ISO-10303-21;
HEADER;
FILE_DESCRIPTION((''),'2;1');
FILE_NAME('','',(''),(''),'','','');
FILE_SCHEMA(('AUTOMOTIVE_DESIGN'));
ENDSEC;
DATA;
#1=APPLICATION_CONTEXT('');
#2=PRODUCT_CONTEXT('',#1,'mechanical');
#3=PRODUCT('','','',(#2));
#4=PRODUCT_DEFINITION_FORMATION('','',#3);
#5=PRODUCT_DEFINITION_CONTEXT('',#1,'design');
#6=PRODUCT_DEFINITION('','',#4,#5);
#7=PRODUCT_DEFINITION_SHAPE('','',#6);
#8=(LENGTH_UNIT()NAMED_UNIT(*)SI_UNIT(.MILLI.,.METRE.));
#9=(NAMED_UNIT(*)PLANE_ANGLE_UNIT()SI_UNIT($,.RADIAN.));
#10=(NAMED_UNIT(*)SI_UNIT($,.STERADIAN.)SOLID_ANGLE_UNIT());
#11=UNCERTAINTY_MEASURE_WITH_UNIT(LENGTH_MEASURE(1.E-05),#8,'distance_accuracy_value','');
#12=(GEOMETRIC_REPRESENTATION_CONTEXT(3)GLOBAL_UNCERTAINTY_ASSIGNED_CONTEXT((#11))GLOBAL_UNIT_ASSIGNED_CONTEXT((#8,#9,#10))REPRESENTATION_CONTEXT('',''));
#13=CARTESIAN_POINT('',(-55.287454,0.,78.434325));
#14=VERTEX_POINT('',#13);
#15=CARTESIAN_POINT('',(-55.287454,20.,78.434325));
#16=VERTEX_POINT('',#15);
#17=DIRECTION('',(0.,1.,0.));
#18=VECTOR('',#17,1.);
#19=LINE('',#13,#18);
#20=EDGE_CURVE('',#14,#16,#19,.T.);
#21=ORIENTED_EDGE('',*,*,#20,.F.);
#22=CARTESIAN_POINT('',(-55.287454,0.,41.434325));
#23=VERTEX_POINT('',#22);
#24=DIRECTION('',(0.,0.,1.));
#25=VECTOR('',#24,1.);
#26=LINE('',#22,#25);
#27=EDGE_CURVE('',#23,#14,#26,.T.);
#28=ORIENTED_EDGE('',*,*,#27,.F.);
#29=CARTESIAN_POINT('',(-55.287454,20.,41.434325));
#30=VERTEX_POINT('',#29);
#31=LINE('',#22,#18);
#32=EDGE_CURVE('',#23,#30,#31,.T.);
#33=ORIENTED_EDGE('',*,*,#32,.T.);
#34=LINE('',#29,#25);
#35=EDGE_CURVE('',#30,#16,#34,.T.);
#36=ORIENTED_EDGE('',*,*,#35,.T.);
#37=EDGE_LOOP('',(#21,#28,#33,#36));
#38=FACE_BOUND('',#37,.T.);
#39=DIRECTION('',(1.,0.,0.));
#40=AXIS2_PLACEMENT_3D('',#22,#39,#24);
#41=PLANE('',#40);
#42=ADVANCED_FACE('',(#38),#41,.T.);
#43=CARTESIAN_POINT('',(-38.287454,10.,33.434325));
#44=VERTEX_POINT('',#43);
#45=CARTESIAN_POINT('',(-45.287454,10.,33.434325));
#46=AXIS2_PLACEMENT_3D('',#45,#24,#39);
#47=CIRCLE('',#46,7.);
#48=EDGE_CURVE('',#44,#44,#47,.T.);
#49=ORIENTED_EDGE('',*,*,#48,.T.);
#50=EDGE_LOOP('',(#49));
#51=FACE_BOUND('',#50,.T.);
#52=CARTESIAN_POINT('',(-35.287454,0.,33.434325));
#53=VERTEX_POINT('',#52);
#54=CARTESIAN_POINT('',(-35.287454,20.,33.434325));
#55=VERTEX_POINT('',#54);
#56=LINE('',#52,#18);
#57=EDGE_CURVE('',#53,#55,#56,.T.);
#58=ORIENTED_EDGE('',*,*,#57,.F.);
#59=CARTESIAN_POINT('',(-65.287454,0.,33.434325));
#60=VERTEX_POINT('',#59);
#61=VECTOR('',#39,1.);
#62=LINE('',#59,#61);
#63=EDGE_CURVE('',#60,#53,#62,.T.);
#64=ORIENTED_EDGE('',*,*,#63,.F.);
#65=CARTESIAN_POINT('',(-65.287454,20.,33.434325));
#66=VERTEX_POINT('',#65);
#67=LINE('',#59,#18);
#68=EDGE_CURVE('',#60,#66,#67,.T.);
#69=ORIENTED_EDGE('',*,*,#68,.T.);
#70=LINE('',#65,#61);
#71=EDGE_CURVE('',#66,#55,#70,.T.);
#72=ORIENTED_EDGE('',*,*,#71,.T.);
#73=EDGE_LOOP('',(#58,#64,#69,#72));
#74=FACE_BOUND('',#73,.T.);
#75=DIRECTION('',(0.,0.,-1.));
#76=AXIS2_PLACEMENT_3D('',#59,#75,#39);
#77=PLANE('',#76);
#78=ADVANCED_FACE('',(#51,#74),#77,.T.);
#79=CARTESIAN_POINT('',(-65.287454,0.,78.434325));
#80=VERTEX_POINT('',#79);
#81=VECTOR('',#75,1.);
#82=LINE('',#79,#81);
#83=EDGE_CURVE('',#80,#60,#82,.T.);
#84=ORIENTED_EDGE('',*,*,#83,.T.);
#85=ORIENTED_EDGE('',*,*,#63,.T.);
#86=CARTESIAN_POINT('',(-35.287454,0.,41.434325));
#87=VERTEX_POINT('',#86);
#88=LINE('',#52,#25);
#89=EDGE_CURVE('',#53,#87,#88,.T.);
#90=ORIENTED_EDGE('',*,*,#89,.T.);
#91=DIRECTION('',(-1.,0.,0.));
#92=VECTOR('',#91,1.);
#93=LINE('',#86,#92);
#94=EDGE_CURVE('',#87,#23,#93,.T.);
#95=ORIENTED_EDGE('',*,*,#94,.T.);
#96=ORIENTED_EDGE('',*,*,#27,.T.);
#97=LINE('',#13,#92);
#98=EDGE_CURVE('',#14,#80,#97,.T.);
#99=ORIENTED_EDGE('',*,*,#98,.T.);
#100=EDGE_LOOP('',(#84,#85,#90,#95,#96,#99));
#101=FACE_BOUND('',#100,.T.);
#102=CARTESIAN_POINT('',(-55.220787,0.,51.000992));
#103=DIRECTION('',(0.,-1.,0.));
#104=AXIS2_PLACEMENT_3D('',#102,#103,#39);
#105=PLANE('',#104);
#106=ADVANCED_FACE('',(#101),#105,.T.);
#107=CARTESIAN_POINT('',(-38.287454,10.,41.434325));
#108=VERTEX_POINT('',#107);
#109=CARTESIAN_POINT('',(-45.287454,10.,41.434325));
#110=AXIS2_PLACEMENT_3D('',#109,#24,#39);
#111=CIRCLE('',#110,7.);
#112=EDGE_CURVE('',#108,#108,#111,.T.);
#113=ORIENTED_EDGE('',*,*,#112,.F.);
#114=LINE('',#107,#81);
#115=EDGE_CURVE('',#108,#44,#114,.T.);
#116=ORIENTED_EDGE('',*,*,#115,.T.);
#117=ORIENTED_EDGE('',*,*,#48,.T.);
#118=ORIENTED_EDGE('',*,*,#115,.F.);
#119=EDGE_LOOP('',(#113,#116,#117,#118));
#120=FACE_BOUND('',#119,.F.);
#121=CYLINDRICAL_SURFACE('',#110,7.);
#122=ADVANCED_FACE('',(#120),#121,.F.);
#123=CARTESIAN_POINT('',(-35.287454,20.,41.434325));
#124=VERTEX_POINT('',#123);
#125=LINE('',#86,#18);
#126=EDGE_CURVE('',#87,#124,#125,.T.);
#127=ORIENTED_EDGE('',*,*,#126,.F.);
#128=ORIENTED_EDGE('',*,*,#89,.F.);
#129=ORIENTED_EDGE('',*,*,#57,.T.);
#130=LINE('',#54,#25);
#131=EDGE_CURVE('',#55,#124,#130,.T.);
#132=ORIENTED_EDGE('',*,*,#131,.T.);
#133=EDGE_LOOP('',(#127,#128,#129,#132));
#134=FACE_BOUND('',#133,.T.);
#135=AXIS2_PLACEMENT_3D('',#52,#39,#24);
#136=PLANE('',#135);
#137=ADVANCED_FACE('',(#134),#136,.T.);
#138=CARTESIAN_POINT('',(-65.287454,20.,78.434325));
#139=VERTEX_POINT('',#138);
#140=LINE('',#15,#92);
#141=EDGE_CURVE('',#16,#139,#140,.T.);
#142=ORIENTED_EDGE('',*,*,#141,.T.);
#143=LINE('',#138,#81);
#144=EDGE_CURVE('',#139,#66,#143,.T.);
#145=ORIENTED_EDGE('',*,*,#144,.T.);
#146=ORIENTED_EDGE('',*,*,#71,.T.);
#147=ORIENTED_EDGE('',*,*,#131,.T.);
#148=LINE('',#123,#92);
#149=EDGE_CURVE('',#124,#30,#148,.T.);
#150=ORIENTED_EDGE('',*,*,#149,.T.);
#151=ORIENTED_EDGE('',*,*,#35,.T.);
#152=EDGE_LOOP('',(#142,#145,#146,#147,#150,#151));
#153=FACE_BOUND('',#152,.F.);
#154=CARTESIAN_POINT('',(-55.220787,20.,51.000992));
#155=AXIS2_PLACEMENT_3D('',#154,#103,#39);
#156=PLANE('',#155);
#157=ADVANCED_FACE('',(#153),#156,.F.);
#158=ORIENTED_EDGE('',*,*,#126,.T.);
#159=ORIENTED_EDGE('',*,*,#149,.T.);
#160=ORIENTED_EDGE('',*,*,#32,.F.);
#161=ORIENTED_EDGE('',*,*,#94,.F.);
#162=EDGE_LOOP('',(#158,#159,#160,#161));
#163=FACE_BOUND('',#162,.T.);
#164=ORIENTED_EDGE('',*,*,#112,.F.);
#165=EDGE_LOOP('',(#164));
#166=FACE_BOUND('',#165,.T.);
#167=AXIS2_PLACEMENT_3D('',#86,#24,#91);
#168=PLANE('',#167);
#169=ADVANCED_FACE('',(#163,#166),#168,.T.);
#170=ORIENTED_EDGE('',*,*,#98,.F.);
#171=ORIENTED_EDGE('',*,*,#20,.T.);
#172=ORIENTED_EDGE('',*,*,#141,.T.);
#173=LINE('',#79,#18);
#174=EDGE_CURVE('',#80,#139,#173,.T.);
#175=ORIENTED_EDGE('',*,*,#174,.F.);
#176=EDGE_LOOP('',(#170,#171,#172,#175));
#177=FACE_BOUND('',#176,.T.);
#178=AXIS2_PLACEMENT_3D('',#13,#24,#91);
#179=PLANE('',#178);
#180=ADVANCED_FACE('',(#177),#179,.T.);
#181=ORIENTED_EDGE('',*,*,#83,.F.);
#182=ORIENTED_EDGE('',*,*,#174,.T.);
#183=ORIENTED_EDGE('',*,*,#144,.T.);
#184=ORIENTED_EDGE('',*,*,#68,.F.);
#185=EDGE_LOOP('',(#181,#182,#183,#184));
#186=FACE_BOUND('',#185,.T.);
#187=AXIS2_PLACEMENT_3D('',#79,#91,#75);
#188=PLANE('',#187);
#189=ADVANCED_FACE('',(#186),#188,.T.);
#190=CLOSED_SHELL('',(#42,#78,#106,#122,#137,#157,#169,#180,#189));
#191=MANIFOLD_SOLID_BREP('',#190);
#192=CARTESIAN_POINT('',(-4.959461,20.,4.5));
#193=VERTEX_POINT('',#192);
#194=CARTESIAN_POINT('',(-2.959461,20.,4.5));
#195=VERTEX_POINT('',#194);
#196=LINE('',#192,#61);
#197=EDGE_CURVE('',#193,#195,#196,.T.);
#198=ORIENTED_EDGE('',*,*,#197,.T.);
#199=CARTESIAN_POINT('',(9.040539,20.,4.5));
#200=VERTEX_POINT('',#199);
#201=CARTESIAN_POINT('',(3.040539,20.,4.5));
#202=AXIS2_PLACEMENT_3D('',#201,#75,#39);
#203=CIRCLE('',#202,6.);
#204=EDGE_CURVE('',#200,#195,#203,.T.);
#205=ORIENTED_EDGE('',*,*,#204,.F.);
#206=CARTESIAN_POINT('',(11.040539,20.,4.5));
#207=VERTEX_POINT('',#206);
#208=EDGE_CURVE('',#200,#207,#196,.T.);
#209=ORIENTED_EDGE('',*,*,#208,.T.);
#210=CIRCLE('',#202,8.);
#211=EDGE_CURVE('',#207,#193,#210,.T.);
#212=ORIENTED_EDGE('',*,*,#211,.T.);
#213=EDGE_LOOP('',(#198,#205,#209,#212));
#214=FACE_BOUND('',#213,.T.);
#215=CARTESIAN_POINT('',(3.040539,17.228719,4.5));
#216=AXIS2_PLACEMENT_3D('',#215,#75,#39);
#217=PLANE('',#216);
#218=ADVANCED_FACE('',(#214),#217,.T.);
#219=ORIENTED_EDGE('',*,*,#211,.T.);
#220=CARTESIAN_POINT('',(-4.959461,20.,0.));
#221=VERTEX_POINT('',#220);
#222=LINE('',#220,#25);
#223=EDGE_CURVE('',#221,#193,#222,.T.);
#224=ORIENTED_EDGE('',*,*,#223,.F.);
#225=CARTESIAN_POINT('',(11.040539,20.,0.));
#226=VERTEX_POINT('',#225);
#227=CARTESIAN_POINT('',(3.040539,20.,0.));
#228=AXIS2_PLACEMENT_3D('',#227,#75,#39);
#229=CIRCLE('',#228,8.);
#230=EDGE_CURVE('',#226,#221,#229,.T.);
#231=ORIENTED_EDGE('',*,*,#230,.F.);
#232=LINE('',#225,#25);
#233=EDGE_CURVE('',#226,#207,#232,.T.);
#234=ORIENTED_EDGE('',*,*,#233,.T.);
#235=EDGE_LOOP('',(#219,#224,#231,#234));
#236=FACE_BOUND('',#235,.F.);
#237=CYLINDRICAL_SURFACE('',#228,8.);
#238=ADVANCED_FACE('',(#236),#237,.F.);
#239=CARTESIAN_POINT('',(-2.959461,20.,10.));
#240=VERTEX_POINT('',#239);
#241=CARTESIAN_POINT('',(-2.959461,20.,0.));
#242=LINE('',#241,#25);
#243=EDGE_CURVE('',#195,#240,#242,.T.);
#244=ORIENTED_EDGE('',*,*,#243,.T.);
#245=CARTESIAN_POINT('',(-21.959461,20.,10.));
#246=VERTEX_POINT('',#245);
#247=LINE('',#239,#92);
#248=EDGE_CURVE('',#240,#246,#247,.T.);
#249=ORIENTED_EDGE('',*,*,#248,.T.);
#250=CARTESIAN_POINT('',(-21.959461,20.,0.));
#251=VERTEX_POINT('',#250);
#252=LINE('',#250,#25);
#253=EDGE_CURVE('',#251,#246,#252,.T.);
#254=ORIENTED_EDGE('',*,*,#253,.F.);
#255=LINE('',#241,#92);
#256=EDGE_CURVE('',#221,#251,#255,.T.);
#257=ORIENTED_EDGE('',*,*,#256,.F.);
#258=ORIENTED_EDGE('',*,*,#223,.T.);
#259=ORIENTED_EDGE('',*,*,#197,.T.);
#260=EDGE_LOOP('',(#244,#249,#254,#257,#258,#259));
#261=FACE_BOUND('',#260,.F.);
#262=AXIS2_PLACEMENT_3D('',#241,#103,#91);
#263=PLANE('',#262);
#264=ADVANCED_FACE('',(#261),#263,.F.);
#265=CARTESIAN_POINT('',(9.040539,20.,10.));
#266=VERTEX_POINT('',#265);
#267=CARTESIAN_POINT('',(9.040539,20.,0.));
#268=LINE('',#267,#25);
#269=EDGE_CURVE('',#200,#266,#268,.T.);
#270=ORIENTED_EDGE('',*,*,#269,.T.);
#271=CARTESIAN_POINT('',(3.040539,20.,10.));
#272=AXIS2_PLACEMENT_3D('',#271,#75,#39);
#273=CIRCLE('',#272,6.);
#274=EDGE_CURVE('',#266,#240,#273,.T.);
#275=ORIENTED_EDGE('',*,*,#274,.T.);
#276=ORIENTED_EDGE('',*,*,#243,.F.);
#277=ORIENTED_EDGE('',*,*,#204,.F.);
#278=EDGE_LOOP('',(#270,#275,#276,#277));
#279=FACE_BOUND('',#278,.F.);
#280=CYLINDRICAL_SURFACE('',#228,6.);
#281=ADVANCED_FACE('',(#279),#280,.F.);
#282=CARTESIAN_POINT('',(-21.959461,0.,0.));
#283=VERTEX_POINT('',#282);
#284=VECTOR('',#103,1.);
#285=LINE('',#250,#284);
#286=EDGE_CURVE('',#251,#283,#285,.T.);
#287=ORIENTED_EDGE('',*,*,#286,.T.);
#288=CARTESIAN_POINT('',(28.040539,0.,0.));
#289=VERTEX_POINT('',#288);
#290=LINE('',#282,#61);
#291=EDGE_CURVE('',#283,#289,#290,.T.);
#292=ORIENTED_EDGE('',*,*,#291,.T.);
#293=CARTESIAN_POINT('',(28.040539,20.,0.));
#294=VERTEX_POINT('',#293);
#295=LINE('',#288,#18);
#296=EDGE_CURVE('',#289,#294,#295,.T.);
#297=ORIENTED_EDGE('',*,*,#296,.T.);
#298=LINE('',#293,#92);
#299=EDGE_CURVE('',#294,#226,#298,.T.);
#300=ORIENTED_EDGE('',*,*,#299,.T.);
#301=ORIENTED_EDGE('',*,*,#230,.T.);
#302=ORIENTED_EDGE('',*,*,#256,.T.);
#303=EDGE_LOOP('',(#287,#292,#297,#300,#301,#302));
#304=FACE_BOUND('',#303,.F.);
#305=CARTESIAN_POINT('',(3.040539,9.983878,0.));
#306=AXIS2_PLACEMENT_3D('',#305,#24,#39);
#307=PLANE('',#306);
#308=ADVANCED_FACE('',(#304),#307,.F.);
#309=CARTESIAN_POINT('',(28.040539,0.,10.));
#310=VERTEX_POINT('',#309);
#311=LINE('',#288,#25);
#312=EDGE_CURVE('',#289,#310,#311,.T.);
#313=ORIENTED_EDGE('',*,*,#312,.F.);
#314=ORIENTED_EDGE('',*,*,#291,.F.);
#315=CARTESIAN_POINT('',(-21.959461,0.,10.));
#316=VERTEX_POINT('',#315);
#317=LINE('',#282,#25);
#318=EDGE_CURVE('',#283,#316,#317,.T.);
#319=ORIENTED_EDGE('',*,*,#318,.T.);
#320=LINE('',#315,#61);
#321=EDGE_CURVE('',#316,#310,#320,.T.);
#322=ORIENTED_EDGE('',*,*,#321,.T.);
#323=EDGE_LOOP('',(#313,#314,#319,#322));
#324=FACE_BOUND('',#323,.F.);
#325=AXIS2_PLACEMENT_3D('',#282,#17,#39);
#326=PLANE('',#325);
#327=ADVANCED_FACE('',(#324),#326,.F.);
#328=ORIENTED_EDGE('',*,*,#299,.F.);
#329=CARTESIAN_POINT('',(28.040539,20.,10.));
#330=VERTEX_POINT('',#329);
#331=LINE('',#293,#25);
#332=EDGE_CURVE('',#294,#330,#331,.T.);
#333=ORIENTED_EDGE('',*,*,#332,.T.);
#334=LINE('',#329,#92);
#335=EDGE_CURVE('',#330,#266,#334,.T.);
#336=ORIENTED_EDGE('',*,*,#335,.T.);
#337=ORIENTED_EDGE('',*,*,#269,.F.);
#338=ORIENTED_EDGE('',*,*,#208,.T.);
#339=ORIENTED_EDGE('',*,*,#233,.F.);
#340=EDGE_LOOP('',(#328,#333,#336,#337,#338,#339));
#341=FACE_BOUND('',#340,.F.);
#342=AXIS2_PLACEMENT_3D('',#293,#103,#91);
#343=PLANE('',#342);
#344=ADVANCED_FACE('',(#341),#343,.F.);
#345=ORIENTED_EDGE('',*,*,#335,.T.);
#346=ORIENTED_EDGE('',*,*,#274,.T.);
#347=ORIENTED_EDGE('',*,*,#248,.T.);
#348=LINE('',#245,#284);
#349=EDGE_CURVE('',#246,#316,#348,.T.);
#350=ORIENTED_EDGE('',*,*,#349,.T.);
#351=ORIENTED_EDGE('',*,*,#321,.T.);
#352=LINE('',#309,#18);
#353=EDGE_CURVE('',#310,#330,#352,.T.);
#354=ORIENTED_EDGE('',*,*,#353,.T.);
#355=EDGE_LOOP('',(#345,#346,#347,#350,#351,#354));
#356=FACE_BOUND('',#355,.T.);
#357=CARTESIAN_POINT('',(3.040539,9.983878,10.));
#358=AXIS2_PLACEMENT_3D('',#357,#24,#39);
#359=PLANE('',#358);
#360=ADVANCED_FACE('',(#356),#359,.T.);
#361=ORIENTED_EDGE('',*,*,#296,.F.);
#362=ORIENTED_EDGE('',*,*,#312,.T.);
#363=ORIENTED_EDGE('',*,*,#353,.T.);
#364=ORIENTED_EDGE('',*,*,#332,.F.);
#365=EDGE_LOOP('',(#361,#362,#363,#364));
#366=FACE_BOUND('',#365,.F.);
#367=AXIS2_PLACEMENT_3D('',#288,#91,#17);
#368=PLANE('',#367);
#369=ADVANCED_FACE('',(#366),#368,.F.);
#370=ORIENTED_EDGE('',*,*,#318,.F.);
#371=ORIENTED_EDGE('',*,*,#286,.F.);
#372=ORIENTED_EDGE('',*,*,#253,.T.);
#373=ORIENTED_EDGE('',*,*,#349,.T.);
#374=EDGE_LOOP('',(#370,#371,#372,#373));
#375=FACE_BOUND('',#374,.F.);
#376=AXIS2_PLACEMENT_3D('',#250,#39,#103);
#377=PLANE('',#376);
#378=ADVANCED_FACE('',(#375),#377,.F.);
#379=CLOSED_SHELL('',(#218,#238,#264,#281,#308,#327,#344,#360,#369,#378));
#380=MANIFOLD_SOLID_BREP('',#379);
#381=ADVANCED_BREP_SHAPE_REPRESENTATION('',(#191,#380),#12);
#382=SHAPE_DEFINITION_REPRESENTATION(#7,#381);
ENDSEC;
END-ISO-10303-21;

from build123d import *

# Parameters (mm, degrees)
F1_DEPTH = 10
F3_DEPTH = 4.5
F5_DEPTH = 20
F6_R     = 7
F7_DEPTH = 25


with BuildPart() as f1:
    # F0 (on Top) → F1 (new body)
    with BuildSketch(Plane.XY):
        with BuildLine():
            Line((-2.959461, 20), (-21.959461, 20))
            Line((-21.959461, 20), (-21.959461, 0))
            Line((-21.959461, 0), (28.040539, 0))
            Line((28.040539, 0), (28.040539, 20))
            Line((28.040539, 20), (9.040539, 20))
            ThreePointArc((9.040539, 20), (3.040539, 14), (-2.959461, 20))
        make_face()
    extrude(amount=F1_DEPTH)

    # F2 (on face) → F3 (cut)
    with BuildSketch(Plane(origin=(0, 0, 0), x_dir=(1, 0, 0), z_dir=(0, 0, -1))):
        with BuildLine():
            Line((-4.959461, -20), (11.040539, -20))
            ThreePointArc((11.040539, -20), (3.040539, -12), (-4.959461, -20))
        make_face()
    extrude(amount=-F3_DEPTH, mode=Mode.SUBTRACT)


with BuildPart() as f5:
    # F4 (on Front) → F5 (new body)
    with BuildSketch(Plane.XZ):
        Polygon((-55.287454, 78.434325), (-65.287454, 78.434325), (-65.287454, 33.434325), (-35.287454, 33.434325), (-35.287454, 41.434325), (-55.287454, 41.434325), align=None)
    extrude(amount=-F5_DEPTH)

    # F6 (on face) → F7 (cut)
    with BuildSketch(Plane.XY.offset(41.434325)):
        with Locations((-45.287454, 10)):
            Circle(F6_R)
    extrude(amount=-F7_DEPTH, mode=Mode.SUBTRACT)


solid = Compound([f1.part, f5.part])
